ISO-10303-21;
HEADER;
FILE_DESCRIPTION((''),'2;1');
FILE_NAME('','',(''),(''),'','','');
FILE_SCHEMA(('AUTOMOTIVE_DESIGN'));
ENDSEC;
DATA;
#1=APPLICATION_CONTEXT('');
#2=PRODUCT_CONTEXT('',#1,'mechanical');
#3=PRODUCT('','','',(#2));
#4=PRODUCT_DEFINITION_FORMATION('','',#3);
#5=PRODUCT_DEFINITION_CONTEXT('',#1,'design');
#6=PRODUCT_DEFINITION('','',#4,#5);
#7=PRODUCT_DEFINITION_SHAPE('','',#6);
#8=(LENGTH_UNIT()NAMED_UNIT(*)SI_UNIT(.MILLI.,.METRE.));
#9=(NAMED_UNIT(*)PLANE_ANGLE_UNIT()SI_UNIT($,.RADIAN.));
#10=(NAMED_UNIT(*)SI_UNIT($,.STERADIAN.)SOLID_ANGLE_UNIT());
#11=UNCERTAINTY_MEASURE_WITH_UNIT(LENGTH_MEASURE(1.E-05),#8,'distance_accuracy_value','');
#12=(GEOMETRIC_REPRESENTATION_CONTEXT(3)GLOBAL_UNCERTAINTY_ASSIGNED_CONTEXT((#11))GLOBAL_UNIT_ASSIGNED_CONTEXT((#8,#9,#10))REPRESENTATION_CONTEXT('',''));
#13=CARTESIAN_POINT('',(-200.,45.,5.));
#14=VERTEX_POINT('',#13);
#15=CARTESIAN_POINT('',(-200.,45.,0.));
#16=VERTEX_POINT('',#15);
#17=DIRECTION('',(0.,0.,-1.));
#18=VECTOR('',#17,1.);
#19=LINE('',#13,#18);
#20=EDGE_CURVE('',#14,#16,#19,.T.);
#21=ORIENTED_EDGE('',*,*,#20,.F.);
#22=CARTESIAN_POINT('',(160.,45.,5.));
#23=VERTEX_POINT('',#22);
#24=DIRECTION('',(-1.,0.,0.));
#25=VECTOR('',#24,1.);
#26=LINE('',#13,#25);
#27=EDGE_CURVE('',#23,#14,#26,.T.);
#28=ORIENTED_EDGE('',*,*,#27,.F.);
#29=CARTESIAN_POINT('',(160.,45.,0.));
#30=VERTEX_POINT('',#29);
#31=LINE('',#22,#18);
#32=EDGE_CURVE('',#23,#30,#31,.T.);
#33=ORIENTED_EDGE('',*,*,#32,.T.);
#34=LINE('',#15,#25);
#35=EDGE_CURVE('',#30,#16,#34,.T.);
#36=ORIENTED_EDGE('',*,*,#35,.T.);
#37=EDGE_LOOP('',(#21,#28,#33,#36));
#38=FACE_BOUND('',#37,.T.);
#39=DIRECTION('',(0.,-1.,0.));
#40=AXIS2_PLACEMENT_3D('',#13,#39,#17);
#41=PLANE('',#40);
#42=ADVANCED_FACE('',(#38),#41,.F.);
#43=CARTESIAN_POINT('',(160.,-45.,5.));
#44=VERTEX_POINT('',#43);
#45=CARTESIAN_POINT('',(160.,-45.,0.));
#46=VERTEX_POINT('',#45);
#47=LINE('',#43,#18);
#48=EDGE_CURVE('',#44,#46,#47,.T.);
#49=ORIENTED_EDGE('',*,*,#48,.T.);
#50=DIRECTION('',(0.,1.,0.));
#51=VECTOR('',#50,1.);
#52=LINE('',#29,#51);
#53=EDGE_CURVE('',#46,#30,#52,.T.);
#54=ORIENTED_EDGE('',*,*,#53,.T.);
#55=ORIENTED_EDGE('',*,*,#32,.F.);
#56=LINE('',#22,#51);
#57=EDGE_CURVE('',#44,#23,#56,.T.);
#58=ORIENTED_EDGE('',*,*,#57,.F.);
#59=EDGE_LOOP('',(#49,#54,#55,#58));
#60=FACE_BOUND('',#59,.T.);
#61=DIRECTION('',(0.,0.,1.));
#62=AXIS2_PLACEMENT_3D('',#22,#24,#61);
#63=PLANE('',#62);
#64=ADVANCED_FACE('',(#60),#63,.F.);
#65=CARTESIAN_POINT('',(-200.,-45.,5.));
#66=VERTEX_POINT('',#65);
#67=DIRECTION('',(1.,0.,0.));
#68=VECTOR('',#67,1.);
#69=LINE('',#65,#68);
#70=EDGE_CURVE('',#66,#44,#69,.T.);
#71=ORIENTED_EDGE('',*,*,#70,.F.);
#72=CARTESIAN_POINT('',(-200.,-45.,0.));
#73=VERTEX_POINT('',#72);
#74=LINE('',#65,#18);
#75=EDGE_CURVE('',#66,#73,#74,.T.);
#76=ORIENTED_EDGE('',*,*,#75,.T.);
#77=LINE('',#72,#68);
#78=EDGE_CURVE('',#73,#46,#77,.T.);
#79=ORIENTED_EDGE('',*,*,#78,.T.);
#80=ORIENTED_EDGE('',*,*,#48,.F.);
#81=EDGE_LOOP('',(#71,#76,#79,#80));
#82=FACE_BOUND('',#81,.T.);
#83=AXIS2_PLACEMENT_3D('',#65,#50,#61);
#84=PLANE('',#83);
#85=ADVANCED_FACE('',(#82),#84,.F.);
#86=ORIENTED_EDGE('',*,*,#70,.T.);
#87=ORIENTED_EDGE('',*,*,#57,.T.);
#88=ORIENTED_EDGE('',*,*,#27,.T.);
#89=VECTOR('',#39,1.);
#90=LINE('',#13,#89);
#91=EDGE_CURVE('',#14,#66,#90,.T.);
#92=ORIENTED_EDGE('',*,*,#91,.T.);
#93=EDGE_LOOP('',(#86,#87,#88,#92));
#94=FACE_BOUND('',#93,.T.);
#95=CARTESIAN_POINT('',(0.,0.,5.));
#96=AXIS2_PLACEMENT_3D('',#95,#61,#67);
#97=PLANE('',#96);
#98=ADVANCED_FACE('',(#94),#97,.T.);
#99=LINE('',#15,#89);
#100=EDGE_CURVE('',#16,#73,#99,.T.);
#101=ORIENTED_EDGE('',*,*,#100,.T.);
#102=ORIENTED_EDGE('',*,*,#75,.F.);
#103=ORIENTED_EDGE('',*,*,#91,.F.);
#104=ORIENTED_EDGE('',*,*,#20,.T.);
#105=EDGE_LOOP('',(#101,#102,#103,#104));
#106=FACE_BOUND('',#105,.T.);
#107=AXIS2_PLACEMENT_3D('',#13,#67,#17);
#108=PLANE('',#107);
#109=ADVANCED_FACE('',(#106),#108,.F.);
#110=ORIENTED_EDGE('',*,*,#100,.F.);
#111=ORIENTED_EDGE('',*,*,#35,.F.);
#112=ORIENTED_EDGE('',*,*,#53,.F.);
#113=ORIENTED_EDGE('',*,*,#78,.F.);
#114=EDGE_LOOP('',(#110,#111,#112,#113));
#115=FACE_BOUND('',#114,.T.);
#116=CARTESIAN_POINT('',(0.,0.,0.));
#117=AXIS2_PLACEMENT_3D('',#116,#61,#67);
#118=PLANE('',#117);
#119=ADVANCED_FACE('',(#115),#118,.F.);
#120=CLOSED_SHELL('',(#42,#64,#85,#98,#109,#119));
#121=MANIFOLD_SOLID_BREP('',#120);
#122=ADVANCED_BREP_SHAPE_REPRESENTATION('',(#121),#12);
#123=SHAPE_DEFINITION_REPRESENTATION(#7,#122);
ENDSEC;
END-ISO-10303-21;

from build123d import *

# Parameters (mm, degrees)
SKETCH_1_W      = 360
SKETCH_1_H      = 90
EXTRUDE_1_DEPTH = 5


with BuildPart() as part:
    # 草图1 → 凸台-拉伸1 (new body)
    with BuildSketch(Plane.XY):
        with Locations((-20, 0)):
            Rectangle(SKETCH_1_W, SKETCH_1_H)
    extrude(amount=EXTRUDE_1_DEPTH)


solid = part.part
